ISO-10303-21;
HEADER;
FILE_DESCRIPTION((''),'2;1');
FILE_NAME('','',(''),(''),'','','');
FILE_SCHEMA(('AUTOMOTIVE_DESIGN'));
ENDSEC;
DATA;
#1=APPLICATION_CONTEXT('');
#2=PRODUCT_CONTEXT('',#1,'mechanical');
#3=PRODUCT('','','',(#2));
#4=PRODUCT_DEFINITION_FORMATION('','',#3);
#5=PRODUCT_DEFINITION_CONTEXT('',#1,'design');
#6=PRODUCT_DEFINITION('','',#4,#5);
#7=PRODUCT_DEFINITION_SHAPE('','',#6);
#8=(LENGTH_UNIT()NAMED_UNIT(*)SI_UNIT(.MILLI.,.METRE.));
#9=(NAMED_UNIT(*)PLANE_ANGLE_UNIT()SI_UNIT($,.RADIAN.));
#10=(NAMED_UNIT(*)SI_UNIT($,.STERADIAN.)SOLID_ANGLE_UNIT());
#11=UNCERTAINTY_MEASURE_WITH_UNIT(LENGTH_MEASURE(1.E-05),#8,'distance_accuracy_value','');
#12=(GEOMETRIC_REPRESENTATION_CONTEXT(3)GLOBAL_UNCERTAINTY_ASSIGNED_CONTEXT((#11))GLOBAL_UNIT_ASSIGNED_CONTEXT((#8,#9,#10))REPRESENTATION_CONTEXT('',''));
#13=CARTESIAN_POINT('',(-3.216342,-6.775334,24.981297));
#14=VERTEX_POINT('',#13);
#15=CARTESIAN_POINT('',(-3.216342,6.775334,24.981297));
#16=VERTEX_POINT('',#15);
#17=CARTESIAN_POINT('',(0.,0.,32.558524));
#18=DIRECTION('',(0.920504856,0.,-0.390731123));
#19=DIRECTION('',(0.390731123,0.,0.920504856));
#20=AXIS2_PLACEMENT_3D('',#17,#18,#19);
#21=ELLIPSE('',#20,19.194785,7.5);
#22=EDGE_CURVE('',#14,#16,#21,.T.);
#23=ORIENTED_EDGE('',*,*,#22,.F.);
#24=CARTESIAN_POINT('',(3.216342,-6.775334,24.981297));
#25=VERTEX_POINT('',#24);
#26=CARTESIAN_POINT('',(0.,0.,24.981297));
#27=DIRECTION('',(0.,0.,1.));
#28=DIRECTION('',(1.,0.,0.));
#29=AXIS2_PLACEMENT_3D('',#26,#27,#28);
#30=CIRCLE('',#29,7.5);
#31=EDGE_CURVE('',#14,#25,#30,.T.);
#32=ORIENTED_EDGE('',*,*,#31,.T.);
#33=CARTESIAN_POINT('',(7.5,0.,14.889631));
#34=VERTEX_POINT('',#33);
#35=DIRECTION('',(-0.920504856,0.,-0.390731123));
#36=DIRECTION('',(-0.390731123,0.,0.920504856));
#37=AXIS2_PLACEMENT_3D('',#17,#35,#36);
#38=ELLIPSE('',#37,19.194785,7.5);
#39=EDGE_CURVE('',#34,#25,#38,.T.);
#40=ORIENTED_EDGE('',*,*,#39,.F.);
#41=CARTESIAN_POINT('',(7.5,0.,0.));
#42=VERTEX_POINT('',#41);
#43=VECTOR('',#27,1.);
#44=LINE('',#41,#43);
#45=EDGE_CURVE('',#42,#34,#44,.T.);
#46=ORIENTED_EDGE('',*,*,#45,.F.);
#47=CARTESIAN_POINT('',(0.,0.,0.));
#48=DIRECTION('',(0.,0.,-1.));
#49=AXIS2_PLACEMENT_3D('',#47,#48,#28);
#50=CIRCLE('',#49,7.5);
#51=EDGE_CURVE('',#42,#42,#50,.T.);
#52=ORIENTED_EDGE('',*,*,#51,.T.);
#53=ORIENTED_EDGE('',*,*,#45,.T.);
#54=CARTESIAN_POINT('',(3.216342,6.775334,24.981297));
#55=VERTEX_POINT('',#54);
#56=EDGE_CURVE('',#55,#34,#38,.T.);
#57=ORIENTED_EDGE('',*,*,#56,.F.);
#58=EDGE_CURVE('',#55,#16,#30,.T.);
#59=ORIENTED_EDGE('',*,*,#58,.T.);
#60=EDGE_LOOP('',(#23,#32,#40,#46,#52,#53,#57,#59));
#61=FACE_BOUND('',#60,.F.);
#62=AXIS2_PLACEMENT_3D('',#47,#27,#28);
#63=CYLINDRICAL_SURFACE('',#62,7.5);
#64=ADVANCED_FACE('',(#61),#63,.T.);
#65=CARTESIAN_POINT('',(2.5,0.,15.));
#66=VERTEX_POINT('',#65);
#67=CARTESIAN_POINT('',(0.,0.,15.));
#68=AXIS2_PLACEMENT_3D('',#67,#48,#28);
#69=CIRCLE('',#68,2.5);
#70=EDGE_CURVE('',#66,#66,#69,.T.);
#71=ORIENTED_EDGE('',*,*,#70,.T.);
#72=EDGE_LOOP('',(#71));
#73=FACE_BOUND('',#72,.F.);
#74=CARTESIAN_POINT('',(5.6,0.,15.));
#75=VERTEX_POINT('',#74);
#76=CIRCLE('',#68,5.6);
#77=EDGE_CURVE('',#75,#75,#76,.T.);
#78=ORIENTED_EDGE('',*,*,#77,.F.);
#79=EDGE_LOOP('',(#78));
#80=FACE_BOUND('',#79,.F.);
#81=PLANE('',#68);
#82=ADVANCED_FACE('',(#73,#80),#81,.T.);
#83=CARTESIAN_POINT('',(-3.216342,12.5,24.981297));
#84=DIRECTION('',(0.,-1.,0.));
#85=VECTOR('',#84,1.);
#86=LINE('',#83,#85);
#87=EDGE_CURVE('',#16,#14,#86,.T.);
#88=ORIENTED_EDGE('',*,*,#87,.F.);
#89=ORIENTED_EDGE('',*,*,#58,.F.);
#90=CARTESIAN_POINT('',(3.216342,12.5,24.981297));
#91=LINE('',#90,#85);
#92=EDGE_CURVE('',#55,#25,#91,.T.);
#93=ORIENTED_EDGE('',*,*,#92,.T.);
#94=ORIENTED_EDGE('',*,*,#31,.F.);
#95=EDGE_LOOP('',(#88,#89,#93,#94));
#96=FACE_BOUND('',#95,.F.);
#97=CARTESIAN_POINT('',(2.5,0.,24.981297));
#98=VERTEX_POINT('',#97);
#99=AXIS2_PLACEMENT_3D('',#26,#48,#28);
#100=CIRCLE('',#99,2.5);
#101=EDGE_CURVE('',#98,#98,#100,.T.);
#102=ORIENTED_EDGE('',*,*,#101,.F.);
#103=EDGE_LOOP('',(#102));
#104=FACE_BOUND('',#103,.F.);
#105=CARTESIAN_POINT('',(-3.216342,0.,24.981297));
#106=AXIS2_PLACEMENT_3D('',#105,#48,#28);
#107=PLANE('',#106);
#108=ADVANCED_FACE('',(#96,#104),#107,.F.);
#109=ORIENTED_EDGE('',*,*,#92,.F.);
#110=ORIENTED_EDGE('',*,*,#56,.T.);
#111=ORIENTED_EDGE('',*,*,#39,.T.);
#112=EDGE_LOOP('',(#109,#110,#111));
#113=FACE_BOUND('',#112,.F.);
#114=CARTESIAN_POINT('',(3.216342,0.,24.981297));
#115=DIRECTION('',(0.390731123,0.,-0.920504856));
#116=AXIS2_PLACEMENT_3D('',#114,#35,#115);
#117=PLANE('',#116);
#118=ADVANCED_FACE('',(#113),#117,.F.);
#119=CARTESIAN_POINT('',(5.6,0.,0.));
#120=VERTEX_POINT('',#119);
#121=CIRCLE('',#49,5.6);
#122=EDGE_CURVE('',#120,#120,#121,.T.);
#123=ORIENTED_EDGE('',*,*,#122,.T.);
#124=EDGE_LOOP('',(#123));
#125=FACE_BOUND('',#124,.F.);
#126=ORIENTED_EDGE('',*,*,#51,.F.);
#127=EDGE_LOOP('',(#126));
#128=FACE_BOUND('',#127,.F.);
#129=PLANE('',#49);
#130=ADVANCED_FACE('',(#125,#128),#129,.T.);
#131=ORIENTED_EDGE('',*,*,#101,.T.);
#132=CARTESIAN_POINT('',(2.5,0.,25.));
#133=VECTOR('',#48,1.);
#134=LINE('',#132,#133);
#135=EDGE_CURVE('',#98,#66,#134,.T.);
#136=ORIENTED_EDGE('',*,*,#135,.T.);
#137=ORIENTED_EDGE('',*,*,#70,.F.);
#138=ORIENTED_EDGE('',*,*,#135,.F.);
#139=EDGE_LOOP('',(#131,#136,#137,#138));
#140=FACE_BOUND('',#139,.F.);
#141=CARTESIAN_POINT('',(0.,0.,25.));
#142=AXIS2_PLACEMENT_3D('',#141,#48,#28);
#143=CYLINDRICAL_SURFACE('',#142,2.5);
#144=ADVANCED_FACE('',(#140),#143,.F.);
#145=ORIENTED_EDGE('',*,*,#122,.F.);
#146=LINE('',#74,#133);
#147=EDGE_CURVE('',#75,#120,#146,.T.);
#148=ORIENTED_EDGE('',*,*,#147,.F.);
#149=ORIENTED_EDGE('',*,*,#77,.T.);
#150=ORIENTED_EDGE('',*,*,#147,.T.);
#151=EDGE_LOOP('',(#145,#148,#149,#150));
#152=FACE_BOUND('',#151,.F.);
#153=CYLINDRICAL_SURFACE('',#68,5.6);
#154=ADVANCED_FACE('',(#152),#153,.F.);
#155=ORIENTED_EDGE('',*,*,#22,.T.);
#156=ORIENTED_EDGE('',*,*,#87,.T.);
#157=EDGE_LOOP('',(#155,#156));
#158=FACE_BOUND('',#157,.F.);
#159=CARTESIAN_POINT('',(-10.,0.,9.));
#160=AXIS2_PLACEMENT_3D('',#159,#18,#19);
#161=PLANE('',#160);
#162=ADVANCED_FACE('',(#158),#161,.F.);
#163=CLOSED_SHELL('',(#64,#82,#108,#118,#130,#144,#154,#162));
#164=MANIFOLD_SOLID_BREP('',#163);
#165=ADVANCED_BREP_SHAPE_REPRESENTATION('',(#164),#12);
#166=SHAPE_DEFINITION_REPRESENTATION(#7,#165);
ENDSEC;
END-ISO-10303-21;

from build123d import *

# Parameters (mm, degrees)
F3_DEPTH = 12.5


with BuildPart() as f1:
    # F0 (on Front) → F1 (revolve)
    with BuildSketch(Plane.XZ):
        Polygon((5.6, 0), (7.5, 0), (7.5, 25), (2.5, 25), (2.5, 15), (5.6, 15), align=None)
    revolve(axis=Axis((0, 0, 15.520809), (0, 0, -1)))

    # F2 (on Front) → F3 (cut, symmetric)
    with BuildSketch(Plane.XZ):
        Polygon((-10, 9), (-3.216342, 24.981297), (3.216342, 24.981297), (10, 9), (10, 29), (-10, 29), align=None)
    extrude(amount=F3_DEPTH, both=True, mode=Mode.SUBTRACT)


solid = f1.part
